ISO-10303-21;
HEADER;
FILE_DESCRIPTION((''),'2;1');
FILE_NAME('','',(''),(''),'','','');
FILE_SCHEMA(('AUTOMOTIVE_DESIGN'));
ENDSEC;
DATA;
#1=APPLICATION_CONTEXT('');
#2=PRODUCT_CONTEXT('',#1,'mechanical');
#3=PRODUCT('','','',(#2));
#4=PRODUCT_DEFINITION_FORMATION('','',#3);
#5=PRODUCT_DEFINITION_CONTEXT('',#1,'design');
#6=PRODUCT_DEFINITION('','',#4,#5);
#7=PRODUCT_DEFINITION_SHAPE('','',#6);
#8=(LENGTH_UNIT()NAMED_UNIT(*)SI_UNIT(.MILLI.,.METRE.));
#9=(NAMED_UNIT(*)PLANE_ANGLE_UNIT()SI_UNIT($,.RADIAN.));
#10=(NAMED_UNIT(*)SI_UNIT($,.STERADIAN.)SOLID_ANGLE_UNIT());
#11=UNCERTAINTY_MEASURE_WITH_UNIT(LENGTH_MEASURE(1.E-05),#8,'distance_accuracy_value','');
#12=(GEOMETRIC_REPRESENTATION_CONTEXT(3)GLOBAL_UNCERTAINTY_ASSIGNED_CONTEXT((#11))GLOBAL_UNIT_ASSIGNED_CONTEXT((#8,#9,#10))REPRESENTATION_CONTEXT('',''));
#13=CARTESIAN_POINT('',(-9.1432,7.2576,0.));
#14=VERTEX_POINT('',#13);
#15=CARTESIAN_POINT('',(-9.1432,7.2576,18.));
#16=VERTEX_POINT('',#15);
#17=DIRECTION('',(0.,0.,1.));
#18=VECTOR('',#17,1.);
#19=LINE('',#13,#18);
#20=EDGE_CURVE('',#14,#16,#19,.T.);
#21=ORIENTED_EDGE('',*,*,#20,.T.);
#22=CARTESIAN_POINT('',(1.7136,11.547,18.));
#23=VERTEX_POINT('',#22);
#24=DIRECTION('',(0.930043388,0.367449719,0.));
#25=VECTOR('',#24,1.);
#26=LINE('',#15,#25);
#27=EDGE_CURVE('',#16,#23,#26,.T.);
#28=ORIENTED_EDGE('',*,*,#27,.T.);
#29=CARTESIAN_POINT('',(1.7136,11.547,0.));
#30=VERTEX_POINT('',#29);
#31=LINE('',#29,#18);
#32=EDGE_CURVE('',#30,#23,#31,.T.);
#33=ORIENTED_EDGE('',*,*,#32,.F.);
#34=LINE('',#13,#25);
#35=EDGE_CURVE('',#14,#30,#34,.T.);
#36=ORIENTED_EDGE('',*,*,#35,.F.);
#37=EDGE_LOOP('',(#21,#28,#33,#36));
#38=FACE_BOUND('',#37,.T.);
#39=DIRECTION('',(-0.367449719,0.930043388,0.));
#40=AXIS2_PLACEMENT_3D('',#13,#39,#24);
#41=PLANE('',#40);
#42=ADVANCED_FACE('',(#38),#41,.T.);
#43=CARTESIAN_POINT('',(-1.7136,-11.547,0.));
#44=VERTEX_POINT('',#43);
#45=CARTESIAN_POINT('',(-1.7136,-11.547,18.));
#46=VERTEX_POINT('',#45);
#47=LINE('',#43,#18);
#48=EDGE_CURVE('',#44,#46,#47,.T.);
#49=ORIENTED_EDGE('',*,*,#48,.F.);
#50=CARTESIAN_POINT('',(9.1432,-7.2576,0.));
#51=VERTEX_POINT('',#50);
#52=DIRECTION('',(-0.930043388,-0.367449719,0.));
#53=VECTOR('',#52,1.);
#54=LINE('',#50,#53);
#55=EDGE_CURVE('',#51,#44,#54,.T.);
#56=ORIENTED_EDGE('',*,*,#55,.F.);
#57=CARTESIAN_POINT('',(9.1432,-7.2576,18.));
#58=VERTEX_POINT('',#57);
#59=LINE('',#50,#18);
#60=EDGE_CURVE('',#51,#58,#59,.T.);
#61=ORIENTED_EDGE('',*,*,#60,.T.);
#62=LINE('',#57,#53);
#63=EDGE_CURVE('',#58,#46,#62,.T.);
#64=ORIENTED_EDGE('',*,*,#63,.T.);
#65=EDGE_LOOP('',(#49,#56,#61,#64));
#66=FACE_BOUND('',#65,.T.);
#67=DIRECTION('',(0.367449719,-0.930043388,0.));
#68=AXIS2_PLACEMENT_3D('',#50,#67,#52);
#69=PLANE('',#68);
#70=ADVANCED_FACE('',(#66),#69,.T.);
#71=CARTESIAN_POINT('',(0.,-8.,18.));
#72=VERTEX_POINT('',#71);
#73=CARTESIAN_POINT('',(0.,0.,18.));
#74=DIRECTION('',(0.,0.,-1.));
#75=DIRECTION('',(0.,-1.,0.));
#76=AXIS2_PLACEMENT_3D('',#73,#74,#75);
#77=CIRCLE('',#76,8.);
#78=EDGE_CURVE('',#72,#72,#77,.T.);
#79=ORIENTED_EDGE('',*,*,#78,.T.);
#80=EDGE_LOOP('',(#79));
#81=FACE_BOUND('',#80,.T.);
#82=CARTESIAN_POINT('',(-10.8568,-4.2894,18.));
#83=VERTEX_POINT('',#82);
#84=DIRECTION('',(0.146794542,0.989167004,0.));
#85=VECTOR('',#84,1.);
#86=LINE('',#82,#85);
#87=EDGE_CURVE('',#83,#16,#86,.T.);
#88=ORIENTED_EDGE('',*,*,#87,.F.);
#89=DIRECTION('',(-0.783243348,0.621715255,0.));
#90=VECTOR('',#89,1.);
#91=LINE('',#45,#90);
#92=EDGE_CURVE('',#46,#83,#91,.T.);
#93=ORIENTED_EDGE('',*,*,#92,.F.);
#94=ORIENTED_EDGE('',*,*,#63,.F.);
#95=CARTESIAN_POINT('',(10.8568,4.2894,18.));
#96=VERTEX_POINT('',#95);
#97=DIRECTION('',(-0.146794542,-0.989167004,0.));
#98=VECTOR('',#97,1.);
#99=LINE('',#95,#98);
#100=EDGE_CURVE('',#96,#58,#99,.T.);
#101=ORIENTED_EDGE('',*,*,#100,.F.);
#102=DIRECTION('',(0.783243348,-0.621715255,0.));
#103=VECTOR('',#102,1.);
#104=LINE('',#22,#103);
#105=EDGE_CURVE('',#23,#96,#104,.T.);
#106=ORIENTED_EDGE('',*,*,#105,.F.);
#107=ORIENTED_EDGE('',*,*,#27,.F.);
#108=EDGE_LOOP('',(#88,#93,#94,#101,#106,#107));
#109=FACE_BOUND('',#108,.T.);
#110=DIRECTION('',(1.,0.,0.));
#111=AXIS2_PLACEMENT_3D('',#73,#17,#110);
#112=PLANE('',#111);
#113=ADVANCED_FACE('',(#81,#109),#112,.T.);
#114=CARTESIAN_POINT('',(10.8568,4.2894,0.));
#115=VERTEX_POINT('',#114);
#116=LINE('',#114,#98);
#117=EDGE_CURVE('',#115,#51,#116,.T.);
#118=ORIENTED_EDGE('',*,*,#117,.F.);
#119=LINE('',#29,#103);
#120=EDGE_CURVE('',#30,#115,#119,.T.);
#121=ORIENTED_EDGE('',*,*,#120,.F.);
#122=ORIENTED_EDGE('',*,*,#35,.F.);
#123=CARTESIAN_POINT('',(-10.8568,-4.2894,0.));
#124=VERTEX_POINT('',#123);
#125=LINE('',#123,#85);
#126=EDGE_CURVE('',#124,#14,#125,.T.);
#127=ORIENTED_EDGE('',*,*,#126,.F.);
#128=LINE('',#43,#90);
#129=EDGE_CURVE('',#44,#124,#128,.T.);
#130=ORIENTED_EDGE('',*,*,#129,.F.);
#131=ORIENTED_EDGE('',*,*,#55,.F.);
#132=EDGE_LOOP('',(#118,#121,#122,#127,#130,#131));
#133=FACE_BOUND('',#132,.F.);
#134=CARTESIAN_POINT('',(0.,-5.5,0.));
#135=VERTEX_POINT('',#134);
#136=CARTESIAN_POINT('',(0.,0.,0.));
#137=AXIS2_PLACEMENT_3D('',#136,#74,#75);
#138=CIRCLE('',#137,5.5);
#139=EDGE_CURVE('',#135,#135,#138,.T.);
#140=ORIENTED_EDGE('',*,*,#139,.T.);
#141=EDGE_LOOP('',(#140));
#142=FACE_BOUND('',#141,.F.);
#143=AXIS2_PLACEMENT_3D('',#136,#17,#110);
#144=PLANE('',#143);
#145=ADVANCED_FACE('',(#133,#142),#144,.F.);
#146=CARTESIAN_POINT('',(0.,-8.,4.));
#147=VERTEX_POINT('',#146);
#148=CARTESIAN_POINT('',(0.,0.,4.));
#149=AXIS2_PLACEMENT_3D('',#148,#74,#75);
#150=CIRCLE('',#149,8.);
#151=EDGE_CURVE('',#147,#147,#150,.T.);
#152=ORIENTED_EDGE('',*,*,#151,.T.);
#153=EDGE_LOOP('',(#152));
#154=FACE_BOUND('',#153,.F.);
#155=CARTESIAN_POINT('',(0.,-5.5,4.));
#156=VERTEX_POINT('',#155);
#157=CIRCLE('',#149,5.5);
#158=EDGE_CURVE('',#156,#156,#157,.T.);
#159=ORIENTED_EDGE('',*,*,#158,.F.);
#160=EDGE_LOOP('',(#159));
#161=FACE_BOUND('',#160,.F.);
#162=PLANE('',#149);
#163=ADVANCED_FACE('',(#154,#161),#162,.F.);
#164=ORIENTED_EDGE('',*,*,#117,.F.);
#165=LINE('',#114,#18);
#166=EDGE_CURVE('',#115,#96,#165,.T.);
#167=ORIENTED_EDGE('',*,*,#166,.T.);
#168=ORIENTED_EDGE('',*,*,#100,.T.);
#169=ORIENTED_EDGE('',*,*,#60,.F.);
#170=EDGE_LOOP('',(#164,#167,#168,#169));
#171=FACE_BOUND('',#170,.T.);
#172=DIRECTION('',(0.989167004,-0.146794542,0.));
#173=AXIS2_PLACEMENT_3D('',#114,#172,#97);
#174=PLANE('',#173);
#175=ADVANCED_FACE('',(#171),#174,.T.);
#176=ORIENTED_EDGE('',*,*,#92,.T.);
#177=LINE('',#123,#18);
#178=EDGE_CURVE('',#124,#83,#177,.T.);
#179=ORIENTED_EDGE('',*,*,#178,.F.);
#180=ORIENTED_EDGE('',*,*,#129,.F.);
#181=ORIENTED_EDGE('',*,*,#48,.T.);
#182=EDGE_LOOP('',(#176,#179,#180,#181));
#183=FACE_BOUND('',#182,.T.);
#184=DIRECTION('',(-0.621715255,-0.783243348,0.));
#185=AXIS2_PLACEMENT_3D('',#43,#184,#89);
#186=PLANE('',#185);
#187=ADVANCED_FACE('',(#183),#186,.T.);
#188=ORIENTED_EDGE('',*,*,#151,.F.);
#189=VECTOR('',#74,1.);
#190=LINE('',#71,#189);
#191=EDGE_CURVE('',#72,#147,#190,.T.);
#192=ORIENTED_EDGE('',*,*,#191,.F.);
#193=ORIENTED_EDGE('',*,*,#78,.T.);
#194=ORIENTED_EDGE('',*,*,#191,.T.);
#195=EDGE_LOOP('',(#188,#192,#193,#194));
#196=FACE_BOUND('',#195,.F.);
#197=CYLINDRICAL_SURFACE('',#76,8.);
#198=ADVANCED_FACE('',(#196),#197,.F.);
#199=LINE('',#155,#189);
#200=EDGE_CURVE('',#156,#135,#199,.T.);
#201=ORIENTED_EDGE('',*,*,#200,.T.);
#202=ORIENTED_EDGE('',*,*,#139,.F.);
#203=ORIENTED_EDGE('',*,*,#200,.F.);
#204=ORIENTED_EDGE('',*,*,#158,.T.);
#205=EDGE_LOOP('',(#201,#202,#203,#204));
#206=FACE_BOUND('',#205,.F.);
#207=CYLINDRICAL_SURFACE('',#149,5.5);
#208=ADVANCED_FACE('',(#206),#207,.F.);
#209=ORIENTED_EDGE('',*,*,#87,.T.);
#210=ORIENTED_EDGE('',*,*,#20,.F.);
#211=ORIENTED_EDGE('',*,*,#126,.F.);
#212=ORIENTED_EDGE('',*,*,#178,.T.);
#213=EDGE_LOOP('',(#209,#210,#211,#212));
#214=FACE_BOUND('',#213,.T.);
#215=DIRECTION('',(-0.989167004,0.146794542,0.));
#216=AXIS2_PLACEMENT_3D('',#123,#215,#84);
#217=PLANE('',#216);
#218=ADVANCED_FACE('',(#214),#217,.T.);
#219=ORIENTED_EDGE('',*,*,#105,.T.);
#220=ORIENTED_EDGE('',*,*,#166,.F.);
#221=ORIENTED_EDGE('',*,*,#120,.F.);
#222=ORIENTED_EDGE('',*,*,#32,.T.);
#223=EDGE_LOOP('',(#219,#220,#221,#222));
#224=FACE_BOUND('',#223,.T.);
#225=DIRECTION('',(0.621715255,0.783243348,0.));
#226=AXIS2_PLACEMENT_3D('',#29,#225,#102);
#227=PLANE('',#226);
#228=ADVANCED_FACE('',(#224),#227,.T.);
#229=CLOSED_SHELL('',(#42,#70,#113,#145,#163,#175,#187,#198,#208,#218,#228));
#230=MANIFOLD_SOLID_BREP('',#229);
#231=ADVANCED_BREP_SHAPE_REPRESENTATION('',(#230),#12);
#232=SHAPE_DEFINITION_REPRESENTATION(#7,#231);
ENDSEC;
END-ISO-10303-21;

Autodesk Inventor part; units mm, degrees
ref_plane "YZ Plane" through (0, 0, 0) normal (1, 0, 0) x (0, 1, 0)
ref_plane "XZ Plane" through (0, 0, 0) normal (0, 1, 0) x (-1, 0, 0)
ref_plane "XY Plane" through (0, 0, 0) normal (0, 0, 1) x (1, 0, 0)
sketch "Sketch1" plane through (0, 0, 0) normal (0, 0, 1) x (1, 0, 0)
  line L0 (1.7136, 11.547) -> (10.8568, 4.2894)
  line L1 (10.8568, 4.2894) -> (9.1432, -7.2576)
  line L2 (9.1432, -7.2576) -> (-1.7136, -11.547)
  line L3 (-1.7136, -11.547) -> (-10.8568, -4.2894)
  line L4 (-10.8568, -4.2894) -> (-9.1432, 7.2576)
  line L5 (-9.1432, 7.2576) -> (1.7136, 11.547)
  point P0 (0, 0)
  point P1 (0, 0)
  dimension "d0" = 20
extrude "Extrusion1" add sketch "Sketch1" along normal blind 18
sketch "Sketch2" plane through (0, 0, 18) normal (0, 0, 1) x (1, 0, 0)
  point P0 (0, 0)
  point P1 (0, 0)
hole "Hole1" at (0, 0, 18) direction (0, 0, -1) diameter 11 depth 18 counterbore diameter 16 counterbore depth 14
thread "Thread1" size "M16x1" class "6H" standard "ANSI Metric M Profile" full length
properties part number "HUDSON1--43"
